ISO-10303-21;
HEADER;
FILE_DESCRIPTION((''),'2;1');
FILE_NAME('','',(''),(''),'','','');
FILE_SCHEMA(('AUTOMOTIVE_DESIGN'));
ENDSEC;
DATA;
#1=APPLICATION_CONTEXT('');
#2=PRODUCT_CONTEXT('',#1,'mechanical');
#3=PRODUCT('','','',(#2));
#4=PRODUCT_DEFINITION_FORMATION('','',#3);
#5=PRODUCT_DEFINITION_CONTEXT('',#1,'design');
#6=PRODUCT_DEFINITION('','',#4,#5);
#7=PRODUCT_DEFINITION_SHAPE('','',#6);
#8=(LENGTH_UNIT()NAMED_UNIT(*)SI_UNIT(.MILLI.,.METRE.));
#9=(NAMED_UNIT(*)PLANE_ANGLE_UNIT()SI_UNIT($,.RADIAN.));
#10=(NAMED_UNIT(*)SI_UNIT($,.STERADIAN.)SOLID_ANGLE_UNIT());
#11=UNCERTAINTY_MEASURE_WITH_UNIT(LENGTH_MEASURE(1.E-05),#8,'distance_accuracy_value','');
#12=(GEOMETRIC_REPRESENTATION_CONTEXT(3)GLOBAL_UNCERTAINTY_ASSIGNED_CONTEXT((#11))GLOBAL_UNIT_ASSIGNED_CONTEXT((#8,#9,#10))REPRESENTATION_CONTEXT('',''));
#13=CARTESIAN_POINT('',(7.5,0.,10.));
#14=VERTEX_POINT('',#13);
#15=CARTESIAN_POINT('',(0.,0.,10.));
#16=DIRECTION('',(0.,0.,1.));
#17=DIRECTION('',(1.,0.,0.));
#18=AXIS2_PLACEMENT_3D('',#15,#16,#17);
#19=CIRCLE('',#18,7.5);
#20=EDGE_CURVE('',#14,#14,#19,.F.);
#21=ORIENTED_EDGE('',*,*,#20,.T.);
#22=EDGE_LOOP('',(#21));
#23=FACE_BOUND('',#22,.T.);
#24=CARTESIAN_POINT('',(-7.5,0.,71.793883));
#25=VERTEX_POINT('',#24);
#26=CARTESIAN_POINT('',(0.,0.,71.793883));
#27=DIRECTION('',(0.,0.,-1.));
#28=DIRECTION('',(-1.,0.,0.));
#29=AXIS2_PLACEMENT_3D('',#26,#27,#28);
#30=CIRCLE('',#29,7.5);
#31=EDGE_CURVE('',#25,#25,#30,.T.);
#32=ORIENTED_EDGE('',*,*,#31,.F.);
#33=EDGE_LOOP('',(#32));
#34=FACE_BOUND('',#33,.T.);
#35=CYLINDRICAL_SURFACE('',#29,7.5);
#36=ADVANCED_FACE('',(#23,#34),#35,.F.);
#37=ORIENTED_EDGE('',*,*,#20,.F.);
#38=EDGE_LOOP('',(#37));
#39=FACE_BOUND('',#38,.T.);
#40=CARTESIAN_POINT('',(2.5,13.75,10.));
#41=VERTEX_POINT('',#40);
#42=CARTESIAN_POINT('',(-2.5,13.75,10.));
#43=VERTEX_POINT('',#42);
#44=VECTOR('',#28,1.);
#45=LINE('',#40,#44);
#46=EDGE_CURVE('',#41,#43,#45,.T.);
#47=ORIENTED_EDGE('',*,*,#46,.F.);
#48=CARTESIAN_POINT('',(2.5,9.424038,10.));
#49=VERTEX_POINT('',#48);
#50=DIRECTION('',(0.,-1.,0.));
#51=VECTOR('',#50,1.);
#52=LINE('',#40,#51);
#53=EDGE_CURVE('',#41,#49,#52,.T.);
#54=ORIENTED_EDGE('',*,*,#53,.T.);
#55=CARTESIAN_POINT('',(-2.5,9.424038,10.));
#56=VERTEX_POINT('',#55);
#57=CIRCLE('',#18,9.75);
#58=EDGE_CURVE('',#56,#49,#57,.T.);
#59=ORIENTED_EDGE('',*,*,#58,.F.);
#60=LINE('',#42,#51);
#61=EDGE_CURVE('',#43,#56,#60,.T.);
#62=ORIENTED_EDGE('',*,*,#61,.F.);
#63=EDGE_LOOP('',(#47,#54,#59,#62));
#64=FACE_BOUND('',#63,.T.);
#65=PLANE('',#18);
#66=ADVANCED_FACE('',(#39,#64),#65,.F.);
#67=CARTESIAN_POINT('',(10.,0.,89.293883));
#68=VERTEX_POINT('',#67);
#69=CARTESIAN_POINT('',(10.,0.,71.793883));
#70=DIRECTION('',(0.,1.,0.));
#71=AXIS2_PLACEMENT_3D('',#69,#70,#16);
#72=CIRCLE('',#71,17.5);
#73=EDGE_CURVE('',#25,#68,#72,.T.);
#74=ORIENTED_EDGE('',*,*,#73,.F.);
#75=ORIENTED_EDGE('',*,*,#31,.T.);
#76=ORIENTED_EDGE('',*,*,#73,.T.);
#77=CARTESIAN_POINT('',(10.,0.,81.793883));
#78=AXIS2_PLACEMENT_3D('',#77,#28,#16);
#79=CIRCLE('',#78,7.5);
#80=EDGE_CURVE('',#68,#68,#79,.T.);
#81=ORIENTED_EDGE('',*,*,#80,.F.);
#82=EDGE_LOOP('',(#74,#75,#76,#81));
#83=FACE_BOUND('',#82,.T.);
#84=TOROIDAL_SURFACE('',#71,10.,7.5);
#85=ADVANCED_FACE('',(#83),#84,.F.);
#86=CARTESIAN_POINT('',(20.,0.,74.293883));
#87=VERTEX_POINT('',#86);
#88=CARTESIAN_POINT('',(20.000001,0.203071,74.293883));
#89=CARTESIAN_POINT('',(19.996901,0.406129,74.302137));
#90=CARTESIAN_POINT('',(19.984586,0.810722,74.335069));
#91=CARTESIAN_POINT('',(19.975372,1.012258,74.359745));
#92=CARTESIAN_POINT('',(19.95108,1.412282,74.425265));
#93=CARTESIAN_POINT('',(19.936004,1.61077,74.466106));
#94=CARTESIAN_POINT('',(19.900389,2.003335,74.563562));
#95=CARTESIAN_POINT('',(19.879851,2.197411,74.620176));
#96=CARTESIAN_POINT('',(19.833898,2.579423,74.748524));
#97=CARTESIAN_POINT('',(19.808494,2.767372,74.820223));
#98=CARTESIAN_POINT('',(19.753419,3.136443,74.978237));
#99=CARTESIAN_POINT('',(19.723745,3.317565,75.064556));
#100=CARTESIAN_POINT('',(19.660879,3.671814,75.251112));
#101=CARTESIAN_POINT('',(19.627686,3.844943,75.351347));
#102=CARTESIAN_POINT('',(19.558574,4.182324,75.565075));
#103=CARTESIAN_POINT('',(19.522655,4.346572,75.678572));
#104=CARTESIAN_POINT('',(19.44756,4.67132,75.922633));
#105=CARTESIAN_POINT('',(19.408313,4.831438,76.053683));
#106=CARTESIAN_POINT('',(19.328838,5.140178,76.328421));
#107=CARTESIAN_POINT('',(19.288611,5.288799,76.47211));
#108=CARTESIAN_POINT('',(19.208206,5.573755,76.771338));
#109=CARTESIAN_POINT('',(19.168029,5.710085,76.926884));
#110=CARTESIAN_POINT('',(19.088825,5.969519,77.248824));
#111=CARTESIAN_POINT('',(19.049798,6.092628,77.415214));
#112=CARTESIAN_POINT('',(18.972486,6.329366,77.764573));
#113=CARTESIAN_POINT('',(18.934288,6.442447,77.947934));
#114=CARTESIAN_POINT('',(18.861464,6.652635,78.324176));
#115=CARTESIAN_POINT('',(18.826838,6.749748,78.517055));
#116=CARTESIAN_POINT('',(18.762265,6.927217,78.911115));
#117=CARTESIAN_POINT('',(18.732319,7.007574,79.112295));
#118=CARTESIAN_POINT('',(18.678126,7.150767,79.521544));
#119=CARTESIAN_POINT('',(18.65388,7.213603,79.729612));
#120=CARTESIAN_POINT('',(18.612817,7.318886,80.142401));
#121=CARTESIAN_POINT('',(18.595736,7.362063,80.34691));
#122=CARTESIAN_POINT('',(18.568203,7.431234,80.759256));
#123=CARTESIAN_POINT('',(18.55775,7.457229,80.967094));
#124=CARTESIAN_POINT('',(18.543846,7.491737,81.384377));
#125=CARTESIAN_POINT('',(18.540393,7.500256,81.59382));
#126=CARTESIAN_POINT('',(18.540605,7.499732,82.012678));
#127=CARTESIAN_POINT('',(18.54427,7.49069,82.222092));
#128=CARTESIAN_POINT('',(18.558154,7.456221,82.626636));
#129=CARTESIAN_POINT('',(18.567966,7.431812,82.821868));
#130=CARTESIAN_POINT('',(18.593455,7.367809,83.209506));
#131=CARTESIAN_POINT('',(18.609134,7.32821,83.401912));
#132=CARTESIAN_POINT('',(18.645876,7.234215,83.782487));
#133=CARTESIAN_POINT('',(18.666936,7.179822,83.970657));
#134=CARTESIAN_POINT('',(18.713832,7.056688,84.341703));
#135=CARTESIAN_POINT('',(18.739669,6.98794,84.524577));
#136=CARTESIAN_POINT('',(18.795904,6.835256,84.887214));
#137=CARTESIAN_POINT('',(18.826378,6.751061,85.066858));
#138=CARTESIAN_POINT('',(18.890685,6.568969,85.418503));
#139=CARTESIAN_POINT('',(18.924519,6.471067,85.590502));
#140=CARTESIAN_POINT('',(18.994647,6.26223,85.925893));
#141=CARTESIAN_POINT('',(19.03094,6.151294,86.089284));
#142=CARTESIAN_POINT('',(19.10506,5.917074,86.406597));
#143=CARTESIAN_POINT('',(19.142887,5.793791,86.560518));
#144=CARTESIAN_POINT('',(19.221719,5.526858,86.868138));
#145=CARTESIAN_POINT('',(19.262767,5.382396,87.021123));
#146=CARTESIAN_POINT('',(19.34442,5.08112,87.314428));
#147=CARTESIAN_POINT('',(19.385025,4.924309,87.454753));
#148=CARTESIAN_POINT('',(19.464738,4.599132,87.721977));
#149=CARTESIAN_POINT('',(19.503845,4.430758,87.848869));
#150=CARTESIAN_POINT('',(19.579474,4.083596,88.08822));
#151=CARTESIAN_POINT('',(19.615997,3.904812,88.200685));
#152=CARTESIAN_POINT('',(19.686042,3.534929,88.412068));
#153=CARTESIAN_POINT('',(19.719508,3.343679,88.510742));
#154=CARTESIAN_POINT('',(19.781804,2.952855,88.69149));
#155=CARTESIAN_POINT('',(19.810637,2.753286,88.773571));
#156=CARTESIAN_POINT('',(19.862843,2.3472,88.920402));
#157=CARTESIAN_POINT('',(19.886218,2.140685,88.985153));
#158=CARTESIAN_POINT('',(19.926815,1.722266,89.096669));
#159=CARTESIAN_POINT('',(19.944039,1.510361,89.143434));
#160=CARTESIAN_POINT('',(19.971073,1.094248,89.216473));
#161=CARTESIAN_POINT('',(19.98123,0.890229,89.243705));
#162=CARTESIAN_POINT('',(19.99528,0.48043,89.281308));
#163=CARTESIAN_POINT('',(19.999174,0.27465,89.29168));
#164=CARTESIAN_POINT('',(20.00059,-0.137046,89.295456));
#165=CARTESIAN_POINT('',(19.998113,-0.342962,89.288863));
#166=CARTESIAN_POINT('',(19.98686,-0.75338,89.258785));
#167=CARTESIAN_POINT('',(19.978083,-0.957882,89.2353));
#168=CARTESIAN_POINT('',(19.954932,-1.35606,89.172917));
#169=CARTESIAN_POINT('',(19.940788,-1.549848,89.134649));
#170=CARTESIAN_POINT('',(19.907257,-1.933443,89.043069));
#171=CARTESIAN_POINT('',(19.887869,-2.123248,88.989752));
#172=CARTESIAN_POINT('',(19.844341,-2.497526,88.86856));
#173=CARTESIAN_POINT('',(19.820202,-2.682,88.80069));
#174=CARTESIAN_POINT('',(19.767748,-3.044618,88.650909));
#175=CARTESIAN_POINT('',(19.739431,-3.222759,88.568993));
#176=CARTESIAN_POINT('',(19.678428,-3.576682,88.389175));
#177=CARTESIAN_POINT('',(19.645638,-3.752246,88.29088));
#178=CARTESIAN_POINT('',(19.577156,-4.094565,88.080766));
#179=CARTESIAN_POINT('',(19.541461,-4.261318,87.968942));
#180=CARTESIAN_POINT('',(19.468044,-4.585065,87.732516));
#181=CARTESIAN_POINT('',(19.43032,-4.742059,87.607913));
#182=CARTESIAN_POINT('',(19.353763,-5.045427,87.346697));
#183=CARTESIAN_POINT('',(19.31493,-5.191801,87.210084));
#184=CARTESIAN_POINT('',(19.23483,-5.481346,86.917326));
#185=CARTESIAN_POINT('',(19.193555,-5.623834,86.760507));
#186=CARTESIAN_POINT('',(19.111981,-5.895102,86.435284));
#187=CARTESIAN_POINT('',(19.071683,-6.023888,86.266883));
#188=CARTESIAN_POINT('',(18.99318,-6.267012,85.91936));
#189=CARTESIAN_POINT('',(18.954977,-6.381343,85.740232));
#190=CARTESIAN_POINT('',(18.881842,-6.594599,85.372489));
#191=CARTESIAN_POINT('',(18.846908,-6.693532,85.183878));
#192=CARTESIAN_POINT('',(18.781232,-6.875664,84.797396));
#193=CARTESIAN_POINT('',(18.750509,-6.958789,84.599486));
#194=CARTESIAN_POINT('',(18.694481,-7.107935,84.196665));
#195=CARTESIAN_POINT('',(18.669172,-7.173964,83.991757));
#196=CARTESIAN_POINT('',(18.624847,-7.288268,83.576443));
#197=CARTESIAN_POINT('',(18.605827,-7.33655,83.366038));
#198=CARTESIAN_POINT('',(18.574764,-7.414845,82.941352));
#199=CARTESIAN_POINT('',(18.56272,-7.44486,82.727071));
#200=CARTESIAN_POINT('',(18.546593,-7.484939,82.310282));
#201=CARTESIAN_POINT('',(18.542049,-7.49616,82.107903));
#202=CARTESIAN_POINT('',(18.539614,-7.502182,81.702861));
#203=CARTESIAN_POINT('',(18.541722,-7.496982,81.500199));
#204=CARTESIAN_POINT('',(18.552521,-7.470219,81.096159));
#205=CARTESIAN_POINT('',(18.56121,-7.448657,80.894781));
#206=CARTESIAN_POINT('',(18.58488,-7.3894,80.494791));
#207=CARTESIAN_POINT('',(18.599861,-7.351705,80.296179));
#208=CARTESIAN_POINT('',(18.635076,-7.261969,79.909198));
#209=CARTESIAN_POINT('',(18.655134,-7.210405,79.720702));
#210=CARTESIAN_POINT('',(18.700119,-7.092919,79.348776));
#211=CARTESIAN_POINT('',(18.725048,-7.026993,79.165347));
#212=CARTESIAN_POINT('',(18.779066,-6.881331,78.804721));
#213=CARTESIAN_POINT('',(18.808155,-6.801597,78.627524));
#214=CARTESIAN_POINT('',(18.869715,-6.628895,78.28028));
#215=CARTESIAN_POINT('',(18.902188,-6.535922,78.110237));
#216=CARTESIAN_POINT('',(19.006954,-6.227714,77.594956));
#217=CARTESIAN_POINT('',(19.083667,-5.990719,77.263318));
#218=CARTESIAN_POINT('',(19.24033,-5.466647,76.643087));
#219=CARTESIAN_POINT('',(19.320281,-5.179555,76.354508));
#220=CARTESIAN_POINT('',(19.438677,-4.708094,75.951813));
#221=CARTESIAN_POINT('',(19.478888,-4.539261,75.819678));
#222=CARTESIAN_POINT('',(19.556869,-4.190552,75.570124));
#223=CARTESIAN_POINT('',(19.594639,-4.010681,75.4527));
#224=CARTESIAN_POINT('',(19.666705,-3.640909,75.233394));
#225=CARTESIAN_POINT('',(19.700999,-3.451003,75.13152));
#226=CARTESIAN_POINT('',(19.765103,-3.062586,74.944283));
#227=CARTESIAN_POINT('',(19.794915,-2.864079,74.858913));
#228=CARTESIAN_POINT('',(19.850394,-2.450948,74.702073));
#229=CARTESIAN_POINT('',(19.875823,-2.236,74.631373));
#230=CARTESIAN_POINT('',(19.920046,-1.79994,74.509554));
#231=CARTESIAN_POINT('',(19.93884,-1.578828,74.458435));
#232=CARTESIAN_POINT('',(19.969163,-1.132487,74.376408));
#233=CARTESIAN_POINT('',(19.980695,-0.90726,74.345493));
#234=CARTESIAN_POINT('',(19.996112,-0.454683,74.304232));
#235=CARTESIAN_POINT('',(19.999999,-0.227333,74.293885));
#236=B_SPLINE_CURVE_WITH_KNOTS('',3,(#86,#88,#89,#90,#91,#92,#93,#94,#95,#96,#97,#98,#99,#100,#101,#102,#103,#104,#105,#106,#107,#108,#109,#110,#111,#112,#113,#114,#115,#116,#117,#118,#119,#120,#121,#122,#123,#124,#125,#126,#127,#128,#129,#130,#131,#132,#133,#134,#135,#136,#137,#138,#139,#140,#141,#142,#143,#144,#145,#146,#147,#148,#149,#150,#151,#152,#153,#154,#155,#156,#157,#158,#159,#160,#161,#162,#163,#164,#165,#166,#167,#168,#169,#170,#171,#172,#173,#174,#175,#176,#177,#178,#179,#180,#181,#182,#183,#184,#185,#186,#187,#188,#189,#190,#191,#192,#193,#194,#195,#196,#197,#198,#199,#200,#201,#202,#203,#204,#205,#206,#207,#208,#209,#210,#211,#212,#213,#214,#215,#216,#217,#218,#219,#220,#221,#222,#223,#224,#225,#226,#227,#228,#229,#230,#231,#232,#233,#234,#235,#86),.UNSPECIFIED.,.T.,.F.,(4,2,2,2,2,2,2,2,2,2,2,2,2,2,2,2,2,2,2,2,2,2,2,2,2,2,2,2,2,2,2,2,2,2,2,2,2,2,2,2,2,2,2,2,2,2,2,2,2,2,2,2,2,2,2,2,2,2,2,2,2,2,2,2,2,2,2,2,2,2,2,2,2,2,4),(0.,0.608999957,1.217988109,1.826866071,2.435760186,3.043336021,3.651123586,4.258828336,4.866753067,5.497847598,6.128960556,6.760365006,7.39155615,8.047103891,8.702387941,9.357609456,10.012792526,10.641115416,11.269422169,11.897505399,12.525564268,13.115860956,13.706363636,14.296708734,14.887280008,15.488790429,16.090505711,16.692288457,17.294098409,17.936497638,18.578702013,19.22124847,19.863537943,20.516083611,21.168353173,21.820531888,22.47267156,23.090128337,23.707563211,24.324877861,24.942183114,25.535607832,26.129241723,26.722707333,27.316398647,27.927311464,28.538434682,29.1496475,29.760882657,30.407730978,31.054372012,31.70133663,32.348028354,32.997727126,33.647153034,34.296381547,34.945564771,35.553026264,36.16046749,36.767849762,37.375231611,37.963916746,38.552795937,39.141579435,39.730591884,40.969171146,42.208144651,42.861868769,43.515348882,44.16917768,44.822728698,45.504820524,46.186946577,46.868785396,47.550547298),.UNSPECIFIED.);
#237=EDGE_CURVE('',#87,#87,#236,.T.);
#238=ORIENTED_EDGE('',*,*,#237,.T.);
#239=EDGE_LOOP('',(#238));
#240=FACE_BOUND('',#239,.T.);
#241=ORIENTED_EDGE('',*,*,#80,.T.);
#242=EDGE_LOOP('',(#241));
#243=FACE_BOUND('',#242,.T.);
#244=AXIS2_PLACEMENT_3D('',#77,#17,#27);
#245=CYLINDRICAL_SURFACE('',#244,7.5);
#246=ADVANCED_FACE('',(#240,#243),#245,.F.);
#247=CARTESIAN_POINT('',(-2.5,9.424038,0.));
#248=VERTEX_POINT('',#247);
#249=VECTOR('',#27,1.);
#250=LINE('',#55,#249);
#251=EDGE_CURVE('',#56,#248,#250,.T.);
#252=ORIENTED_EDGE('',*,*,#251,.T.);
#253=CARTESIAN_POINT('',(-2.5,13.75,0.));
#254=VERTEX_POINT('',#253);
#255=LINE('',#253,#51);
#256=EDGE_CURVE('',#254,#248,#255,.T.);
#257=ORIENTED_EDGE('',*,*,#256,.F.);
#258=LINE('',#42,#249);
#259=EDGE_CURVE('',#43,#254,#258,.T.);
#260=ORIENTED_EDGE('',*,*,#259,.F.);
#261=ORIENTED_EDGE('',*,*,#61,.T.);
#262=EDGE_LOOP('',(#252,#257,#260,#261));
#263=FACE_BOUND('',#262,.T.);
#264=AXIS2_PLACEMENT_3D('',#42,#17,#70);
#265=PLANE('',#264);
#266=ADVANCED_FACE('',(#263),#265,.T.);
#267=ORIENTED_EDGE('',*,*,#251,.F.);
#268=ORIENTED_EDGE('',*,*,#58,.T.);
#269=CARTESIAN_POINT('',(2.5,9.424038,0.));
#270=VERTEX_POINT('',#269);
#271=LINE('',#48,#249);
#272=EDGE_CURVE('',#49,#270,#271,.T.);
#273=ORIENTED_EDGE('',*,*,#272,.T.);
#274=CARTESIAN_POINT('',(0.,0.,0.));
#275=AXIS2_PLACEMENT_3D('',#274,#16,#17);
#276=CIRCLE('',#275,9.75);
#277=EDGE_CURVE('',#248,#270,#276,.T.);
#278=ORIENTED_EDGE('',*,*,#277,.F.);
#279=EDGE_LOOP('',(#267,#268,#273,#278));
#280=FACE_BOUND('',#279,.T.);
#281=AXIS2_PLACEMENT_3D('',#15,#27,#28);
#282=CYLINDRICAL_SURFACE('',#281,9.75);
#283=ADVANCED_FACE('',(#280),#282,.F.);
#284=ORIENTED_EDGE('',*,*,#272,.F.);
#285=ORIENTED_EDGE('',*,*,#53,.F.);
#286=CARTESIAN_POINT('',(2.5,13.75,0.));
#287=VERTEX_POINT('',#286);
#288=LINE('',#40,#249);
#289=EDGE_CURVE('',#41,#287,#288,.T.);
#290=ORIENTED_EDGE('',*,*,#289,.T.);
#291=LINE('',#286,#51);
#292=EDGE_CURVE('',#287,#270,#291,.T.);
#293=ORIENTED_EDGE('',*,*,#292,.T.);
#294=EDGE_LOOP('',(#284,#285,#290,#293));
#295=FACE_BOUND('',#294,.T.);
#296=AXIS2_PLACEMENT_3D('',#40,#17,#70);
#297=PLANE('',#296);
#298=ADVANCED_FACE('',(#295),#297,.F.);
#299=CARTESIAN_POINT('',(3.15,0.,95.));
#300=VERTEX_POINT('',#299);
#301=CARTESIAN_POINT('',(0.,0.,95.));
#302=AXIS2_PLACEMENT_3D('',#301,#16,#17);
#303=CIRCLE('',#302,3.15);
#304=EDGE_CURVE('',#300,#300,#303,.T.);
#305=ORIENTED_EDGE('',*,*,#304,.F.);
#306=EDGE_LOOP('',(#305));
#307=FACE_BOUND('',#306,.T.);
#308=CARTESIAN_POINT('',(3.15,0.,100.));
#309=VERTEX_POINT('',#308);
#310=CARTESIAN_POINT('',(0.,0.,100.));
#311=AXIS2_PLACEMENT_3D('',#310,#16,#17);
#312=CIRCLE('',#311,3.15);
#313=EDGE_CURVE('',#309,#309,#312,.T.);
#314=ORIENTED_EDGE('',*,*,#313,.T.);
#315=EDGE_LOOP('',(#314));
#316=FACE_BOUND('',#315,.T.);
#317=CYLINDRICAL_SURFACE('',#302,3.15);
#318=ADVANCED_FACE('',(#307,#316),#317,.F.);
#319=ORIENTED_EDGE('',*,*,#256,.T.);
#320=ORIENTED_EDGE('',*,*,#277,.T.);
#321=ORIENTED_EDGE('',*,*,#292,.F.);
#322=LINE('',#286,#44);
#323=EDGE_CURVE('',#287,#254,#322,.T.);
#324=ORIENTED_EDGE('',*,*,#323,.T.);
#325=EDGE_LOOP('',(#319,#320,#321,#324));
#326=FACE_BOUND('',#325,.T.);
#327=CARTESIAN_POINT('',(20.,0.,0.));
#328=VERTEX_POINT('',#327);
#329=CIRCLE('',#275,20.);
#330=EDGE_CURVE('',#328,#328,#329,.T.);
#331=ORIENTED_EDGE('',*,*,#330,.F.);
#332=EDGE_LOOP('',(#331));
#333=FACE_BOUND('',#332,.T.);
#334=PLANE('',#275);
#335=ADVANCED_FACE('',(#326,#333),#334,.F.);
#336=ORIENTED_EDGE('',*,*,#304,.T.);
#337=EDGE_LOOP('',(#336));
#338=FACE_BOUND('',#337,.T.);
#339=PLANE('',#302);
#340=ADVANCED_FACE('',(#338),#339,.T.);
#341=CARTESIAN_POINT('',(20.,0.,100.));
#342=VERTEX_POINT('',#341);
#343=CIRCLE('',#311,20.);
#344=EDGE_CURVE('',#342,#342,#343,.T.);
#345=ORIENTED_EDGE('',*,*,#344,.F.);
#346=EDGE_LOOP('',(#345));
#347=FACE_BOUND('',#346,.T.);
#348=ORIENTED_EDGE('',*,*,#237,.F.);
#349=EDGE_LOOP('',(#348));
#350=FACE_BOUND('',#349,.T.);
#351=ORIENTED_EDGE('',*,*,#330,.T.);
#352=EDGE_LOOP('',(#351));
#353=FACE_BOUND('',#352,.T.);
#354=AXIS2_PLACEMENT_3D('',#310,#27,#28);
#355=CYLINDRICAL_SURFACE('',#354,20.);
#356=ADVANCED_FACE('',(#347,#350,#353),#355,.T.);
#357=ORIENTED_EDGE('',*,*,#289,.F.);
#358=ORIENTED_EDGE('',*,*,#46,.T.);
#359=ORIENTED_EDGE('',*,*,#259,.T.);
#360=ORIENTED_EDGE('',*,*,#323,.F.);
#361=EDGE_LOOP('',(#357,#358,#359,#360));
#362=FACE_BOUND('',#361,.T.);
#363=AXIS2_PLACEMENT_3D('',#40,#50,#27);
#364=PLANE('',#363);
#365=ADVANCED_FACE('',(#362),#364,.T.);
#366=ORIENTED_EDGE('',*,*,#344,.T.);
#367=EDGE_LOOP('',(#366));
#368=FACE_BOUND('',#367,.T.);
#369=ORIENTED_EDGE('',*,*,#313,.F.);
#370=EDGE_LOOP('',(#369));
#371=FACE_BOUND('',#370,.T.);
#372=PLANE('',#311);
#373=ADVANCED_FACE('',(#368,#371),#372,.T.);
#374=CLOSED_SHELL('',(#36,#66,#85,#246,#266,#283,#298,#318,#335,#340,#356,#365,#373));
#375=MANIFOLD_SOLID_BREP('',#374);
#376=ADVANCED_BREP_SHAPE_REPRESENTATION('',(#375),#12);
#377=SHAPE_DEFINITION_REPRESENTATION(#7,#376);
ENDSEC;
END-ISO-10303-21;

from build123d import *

# Parameters (mm, degrees)
SKETCH1_R           = 20
BOSS_EXTRUDE1_DEPTH = 100
SKETCH3_R           = 3.15
CUT_EXTRUDE2_DEPTH  = 5
SKETCH2_R           = 7.5
SKETCH6_R           = 9.75
SKETCH6_W           = 5
SKETCH6_H           = 7.292344614
CUT_EXTRUDE3_DEPTH  = 10


with BuildPart() as part:
    # Sketch1 → Boss-Extrude1 (new body)
    with BuildSketch(Plane.XY):
        Circle(SKETCH1_R)
    extrude(amount=BOSS_EXTRUDE1_DEPTH)

    # Sketch3 → Cut-Extrude2 (cut)
    with BuildSketch(Plane.XY.offset(100)):
        Circle(SKETCH3_R)
    extrude(amount=-CUT_EXTRUDE2_DEPTH, mode=Mode.SUBTRACT)

    # Cut-Sweep1: sweep along a path in Sketch4
    with BuildLine(Plane(origin=(0, 0, 0), x_dir=(1, 0, 0), z_dir=(0, 1, 0))) as cut_sweep1_path:
        Line((0, 0), (0, -71.793883449))
        ThreePointArc((0, -71.793883449), (2.928932188, -78.864951261), (10, -81.793883449))
        Line((10, -81.793883449), (20, -81.793883449))
    # Sketch2 → Cut-Sweep1 (sweep, cut)
    with BuildSketch(Plane(origin=(0, 0, 0), x_dir=(-1, 0, 0), z_dir=(0, 0, -1))):
        Circle(SKETCH2_R)
    sweep(path=cut_sweep1_path.line, mode=Mode.SUBTRACT)

    # Sketch6 → Cut-Extrude3 (cut)
    with BuildSketch(Plane.XY):
        Circle(SKETCH6_R)
        with Locations((0, 10.103827693)):
            Rectangle(SKETCH6_W, SKETCH6_H)
    extrude(amount=CUT_EXTRUDE3_DEPTH, mode=Mode.SUBTRACT)


solid = part.part
